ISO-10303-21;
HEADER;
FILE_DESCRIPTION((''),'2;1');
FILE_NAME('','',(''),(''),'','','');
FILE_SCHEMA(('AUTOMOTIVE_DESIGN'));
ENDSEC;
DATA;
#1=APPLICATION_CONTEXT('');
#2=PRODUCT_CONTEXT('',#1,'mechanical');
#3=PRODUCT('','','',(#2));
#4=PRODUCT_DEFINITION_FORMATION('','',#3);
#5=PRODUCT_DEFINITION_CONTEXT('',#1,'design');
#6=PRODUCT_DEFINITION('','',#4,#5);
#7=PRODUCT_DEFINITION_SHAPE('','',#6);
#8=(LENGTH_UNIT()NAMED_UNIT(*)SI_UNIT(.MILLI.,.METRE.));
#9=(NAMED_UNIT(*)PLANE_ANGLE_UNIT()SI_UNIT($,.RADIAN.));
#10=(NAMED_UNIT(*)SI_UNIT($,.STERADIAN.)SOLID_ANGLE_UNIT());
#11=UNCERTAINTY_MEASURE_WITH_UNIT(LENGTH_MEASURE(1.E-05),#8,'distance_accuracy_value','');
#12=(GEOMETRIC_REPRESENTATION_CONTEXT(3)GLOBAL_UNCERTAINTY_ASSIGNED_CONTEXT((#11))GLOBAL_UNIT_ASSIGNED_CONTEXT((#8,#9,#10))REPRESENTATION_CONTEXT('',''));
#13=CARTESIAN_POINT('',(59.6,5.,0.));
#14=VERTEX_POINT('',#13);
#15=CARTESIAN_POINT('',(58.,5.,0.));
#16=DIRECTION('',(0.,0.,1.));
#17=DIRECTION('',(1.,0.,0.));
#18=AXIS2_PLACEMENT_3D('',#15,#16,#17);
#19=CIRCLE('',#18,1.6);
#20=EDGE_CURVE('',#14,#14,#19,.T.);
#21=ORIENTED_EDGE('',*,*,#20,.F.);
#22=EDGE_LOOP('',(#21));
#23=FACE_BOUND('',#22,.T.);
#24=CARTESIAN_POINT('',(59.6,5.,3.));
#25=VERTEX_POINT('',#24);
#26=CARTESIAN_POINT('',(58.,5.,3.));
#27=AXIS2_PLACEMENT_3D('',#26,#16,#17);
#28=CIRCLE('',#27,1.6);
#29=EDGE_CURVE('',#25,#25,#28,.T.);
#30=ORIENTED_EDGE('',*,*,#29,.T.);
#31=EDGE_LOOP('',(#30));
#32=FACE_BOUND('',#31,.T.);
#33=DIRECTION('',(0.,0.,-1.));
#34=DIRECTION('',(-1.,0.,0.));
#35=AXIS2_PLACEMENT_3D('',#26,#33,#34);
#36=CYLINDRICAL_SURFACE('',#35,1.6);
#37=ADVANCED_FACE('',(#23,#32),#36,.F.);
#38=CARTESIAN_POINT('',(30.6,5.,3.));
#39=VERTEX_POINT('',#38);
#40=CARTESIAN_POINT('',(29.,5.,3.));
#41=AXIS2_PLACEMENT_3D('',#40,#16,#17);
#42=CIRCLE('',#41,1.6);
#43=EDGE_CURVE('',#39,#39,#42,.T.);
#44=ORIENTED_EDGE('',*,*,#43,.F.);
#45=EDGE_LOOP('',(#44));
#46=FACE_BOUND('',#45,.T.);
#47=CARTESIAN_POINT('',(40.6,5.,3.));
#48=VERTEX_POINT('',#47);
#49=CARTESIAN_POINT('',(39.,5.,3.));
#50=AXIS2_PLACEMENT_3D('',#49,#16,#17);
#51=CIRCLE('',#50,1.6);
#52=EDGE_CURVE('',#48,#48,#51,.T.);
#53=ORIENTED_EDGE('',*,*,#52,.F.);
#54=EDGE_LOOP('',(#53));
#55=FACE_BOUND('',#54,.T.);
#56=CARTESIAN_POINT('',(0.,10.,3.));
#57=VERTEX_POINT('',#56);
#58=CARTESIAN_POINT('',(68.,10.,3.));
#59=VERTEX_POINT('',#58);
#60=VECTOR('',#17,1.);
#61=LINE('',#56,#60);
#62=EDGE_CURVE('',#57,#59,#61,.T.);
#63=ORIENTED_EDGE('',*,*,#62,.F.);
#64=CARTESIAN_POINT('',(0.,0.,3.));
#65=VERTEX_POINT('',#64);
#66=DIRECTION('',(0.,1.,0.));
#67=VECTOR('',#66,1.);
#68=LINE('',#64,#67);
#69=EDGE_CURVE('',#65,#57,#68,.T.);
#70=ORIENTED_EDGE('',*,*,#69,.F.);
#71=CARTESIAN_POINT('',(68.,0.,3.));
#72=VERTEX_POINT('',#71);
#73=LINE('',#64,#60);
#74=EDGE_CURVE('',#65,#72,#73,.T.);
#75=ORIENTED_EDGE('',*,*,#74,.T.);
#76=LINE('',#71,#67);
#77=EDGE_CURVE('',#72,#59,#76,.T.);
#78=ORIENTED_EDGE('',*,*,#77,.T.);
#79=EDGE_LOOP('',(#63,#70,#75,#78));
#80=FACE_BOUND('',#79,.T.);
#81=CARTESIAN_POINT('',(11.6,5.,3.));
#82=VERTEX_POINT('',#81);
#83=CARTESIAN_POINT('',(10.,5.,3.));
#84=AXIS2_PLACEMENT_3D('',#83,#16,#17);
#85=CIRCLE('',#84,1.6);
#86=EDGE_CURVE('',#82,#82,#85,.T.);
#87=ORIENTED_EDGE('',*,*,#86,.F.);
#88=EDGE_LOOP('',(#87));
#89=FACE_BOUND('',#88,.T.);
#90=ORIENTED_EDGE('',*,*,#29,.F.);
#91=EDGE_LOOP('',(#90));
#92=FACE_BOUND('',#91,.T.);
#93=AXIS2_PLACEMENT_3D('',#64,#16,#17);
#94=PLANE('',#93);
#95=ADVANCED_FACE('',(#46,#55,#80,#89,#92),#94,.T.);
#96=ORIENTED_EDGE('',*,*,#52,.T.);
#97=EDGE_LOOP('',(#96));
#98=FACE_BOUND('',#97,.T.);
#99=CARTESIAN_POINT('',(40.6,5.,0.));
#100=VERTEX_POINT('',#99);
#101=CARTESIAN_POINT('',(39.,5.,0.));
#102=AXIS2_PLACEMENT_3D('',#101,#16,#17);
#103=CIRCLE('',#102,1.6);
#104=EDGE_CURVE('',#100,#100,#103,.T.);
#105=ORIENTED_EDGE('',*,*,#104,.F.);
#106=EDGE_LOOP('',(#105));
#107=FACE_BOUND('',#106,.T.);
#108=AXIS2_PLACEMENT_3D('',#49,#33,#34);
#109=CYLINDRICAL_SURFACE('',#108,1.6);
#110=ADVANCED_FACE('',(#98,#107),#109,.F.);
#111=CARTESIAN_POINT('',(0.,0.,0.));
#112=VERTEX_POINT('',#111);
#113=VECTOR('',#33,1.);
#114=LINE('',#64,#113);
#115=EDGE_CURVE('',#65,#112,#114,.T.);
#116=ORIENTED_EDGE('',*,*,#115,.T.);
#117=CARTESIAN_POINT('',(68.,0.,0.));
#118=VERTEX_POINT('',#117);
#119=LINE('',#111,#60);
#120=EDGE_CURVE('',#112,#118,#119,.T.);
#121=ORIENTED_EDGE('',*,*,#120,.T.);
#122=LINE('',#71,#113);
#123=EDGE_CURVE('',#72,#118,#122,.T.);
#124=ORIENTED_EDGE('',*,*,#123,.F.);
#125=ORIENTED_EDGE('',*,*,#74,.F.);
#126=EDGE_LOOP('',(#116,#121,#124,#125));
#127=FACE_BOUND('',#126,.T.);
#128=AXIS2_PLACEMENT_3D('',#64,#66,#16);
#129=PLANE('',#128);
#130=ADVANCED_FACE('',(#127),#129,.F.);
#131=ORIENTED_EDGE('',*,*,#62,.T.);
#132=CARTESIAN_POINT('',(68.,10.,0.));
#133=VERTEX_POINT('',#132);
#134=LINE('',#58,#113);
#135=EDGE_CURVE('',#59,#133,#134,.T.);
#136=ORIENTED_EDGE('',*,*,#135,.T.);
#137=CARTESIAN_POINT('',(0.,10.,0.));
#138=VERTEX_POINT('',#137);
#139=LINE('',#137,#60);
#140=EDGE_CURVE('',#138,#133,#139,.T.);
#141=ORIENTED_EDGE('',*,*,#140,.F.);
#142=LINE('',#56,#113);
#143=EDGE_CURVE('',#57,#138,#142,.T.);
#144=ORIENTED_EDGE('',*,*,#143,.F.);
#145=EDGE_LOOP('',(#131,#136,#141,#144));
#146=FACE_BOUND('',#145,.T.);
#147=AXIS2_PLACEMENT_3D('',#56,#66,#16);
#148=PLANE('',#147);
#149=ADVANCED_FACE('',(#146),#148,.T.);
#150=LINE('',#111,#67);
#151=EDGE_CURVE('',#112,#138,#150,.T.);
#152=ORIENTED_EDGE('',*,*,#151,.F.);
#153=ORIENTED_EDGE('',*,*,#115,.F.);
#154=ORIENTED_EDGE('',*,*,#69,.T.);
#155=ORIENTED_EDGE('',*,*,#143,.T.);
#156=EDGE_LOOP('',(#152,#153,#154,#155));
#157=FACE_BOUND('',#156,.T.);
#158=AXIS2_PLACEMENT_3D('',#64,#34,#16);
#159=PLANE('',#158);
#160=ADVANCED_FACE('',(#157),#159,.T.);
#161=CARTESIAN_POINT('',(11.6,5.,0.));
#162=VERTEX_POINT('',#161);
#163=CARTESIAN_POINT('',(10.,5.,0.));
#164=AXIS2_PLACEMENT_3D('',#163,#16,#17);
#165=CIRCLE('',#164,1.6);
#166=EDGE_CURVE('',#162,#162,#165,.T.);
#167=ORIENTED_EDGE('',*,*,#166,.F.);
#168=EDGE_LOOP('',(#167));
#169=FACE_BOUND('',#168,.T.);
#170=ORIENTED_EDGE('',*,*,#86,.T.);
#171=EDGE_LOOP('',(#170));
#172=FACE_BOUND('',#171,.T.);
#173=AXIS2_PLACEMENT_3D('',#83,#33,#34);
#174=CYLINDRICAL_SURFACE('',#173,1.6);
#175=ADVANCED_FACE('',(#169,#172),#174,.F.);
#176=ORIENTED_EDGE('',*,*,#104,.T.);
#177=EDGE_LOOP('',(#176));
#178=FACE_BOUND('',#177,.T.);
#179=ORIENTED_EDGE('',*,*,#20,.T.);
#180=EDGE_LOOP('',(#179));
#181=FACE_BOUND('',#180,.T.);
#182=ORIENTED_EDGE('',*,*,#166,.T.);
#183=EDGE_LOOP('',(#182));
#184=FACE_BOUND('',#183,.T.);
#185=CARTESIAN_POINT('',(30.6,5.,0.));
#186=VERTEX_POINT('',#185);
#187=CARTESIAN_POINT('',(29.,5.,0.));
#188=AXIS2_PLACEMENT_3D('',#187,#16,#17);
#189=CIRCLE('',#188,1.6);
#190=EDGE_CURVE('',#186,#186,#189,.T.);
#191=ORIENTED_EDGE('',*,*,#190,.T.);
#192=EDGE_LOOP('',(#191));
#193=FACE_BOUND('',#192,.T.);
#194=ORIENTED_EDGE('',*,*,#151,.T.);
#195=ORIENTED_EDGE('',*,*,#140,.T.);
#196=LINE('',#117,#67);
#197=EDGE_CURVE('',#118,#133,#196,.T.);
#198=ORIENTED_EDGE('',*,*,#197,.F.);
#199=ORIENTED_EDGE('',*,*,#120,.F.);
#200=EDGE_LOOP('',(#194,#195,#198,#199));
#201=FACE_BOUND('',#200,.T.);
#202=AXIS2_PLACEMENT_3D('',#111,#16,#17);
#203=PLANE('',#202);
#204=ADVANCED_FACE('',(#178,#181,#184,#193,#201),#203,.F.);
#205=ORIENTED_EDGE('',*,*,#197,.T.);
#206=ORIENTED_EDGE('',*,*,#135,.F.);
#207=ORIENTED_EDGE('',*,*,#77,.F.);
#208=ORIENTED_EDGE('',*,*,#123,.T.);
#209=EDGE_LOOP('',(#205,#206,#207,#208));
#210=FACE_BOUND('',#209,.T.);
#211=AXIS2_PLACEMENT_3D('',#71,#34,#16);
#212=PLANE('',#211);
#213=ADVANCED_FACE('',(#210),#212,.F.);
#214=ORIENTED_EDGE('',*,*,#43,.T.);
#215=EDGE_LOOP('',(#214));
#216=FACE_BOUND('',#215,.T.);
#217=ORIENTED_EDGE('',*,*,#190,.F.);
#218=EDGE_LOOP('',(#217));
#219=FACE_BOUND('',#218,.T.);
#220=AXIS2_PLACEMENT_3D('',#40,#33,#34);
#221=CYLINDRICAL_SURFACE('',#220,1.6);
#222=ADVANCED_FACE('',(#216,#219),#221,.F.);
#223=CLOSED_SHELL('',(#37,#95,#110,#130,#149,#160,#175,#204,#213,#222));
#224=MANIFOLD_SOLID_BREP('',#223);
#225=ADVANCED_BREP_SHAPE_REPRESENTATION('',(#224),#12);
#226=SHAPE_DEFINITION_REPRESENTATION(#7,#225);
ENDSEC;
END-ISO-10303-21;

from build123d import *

# Parameters (mm, degrees)
SKETCH_1_W      = 68
SKETCH_1_H      = 10
SKETCH_1_R      = 1.6
EXTRUDE_1_DEPTH = 3


with BuildPart() as part:
    # 草图1 → 凸台-拉伸1 (new body)
    with BuildSketch(Plane.XY):
        with Locations((34, 5)):
            Rectangle(SKETCH_1_W, SKETCH_1_H)
        with Locations((29, 5)):
            Circle(SKETCH_1_R, mode=Mode.SUBTRACT)
        with Locations((39, 5)):
            Circle(SKETCH_1_R, mode=Mode.SUBTRACT)
        with Locations((10, 5)):
            Circle(SKETCH_1_R, mode=Mode.SUBTRACT)
        with Locations((58, 5)):
            Circle(SKETCH_1_R, mode=Mode.SUBTRACT)
    extrude(amount=EXTRUDE_1_DEPTH)


solid = part.part
